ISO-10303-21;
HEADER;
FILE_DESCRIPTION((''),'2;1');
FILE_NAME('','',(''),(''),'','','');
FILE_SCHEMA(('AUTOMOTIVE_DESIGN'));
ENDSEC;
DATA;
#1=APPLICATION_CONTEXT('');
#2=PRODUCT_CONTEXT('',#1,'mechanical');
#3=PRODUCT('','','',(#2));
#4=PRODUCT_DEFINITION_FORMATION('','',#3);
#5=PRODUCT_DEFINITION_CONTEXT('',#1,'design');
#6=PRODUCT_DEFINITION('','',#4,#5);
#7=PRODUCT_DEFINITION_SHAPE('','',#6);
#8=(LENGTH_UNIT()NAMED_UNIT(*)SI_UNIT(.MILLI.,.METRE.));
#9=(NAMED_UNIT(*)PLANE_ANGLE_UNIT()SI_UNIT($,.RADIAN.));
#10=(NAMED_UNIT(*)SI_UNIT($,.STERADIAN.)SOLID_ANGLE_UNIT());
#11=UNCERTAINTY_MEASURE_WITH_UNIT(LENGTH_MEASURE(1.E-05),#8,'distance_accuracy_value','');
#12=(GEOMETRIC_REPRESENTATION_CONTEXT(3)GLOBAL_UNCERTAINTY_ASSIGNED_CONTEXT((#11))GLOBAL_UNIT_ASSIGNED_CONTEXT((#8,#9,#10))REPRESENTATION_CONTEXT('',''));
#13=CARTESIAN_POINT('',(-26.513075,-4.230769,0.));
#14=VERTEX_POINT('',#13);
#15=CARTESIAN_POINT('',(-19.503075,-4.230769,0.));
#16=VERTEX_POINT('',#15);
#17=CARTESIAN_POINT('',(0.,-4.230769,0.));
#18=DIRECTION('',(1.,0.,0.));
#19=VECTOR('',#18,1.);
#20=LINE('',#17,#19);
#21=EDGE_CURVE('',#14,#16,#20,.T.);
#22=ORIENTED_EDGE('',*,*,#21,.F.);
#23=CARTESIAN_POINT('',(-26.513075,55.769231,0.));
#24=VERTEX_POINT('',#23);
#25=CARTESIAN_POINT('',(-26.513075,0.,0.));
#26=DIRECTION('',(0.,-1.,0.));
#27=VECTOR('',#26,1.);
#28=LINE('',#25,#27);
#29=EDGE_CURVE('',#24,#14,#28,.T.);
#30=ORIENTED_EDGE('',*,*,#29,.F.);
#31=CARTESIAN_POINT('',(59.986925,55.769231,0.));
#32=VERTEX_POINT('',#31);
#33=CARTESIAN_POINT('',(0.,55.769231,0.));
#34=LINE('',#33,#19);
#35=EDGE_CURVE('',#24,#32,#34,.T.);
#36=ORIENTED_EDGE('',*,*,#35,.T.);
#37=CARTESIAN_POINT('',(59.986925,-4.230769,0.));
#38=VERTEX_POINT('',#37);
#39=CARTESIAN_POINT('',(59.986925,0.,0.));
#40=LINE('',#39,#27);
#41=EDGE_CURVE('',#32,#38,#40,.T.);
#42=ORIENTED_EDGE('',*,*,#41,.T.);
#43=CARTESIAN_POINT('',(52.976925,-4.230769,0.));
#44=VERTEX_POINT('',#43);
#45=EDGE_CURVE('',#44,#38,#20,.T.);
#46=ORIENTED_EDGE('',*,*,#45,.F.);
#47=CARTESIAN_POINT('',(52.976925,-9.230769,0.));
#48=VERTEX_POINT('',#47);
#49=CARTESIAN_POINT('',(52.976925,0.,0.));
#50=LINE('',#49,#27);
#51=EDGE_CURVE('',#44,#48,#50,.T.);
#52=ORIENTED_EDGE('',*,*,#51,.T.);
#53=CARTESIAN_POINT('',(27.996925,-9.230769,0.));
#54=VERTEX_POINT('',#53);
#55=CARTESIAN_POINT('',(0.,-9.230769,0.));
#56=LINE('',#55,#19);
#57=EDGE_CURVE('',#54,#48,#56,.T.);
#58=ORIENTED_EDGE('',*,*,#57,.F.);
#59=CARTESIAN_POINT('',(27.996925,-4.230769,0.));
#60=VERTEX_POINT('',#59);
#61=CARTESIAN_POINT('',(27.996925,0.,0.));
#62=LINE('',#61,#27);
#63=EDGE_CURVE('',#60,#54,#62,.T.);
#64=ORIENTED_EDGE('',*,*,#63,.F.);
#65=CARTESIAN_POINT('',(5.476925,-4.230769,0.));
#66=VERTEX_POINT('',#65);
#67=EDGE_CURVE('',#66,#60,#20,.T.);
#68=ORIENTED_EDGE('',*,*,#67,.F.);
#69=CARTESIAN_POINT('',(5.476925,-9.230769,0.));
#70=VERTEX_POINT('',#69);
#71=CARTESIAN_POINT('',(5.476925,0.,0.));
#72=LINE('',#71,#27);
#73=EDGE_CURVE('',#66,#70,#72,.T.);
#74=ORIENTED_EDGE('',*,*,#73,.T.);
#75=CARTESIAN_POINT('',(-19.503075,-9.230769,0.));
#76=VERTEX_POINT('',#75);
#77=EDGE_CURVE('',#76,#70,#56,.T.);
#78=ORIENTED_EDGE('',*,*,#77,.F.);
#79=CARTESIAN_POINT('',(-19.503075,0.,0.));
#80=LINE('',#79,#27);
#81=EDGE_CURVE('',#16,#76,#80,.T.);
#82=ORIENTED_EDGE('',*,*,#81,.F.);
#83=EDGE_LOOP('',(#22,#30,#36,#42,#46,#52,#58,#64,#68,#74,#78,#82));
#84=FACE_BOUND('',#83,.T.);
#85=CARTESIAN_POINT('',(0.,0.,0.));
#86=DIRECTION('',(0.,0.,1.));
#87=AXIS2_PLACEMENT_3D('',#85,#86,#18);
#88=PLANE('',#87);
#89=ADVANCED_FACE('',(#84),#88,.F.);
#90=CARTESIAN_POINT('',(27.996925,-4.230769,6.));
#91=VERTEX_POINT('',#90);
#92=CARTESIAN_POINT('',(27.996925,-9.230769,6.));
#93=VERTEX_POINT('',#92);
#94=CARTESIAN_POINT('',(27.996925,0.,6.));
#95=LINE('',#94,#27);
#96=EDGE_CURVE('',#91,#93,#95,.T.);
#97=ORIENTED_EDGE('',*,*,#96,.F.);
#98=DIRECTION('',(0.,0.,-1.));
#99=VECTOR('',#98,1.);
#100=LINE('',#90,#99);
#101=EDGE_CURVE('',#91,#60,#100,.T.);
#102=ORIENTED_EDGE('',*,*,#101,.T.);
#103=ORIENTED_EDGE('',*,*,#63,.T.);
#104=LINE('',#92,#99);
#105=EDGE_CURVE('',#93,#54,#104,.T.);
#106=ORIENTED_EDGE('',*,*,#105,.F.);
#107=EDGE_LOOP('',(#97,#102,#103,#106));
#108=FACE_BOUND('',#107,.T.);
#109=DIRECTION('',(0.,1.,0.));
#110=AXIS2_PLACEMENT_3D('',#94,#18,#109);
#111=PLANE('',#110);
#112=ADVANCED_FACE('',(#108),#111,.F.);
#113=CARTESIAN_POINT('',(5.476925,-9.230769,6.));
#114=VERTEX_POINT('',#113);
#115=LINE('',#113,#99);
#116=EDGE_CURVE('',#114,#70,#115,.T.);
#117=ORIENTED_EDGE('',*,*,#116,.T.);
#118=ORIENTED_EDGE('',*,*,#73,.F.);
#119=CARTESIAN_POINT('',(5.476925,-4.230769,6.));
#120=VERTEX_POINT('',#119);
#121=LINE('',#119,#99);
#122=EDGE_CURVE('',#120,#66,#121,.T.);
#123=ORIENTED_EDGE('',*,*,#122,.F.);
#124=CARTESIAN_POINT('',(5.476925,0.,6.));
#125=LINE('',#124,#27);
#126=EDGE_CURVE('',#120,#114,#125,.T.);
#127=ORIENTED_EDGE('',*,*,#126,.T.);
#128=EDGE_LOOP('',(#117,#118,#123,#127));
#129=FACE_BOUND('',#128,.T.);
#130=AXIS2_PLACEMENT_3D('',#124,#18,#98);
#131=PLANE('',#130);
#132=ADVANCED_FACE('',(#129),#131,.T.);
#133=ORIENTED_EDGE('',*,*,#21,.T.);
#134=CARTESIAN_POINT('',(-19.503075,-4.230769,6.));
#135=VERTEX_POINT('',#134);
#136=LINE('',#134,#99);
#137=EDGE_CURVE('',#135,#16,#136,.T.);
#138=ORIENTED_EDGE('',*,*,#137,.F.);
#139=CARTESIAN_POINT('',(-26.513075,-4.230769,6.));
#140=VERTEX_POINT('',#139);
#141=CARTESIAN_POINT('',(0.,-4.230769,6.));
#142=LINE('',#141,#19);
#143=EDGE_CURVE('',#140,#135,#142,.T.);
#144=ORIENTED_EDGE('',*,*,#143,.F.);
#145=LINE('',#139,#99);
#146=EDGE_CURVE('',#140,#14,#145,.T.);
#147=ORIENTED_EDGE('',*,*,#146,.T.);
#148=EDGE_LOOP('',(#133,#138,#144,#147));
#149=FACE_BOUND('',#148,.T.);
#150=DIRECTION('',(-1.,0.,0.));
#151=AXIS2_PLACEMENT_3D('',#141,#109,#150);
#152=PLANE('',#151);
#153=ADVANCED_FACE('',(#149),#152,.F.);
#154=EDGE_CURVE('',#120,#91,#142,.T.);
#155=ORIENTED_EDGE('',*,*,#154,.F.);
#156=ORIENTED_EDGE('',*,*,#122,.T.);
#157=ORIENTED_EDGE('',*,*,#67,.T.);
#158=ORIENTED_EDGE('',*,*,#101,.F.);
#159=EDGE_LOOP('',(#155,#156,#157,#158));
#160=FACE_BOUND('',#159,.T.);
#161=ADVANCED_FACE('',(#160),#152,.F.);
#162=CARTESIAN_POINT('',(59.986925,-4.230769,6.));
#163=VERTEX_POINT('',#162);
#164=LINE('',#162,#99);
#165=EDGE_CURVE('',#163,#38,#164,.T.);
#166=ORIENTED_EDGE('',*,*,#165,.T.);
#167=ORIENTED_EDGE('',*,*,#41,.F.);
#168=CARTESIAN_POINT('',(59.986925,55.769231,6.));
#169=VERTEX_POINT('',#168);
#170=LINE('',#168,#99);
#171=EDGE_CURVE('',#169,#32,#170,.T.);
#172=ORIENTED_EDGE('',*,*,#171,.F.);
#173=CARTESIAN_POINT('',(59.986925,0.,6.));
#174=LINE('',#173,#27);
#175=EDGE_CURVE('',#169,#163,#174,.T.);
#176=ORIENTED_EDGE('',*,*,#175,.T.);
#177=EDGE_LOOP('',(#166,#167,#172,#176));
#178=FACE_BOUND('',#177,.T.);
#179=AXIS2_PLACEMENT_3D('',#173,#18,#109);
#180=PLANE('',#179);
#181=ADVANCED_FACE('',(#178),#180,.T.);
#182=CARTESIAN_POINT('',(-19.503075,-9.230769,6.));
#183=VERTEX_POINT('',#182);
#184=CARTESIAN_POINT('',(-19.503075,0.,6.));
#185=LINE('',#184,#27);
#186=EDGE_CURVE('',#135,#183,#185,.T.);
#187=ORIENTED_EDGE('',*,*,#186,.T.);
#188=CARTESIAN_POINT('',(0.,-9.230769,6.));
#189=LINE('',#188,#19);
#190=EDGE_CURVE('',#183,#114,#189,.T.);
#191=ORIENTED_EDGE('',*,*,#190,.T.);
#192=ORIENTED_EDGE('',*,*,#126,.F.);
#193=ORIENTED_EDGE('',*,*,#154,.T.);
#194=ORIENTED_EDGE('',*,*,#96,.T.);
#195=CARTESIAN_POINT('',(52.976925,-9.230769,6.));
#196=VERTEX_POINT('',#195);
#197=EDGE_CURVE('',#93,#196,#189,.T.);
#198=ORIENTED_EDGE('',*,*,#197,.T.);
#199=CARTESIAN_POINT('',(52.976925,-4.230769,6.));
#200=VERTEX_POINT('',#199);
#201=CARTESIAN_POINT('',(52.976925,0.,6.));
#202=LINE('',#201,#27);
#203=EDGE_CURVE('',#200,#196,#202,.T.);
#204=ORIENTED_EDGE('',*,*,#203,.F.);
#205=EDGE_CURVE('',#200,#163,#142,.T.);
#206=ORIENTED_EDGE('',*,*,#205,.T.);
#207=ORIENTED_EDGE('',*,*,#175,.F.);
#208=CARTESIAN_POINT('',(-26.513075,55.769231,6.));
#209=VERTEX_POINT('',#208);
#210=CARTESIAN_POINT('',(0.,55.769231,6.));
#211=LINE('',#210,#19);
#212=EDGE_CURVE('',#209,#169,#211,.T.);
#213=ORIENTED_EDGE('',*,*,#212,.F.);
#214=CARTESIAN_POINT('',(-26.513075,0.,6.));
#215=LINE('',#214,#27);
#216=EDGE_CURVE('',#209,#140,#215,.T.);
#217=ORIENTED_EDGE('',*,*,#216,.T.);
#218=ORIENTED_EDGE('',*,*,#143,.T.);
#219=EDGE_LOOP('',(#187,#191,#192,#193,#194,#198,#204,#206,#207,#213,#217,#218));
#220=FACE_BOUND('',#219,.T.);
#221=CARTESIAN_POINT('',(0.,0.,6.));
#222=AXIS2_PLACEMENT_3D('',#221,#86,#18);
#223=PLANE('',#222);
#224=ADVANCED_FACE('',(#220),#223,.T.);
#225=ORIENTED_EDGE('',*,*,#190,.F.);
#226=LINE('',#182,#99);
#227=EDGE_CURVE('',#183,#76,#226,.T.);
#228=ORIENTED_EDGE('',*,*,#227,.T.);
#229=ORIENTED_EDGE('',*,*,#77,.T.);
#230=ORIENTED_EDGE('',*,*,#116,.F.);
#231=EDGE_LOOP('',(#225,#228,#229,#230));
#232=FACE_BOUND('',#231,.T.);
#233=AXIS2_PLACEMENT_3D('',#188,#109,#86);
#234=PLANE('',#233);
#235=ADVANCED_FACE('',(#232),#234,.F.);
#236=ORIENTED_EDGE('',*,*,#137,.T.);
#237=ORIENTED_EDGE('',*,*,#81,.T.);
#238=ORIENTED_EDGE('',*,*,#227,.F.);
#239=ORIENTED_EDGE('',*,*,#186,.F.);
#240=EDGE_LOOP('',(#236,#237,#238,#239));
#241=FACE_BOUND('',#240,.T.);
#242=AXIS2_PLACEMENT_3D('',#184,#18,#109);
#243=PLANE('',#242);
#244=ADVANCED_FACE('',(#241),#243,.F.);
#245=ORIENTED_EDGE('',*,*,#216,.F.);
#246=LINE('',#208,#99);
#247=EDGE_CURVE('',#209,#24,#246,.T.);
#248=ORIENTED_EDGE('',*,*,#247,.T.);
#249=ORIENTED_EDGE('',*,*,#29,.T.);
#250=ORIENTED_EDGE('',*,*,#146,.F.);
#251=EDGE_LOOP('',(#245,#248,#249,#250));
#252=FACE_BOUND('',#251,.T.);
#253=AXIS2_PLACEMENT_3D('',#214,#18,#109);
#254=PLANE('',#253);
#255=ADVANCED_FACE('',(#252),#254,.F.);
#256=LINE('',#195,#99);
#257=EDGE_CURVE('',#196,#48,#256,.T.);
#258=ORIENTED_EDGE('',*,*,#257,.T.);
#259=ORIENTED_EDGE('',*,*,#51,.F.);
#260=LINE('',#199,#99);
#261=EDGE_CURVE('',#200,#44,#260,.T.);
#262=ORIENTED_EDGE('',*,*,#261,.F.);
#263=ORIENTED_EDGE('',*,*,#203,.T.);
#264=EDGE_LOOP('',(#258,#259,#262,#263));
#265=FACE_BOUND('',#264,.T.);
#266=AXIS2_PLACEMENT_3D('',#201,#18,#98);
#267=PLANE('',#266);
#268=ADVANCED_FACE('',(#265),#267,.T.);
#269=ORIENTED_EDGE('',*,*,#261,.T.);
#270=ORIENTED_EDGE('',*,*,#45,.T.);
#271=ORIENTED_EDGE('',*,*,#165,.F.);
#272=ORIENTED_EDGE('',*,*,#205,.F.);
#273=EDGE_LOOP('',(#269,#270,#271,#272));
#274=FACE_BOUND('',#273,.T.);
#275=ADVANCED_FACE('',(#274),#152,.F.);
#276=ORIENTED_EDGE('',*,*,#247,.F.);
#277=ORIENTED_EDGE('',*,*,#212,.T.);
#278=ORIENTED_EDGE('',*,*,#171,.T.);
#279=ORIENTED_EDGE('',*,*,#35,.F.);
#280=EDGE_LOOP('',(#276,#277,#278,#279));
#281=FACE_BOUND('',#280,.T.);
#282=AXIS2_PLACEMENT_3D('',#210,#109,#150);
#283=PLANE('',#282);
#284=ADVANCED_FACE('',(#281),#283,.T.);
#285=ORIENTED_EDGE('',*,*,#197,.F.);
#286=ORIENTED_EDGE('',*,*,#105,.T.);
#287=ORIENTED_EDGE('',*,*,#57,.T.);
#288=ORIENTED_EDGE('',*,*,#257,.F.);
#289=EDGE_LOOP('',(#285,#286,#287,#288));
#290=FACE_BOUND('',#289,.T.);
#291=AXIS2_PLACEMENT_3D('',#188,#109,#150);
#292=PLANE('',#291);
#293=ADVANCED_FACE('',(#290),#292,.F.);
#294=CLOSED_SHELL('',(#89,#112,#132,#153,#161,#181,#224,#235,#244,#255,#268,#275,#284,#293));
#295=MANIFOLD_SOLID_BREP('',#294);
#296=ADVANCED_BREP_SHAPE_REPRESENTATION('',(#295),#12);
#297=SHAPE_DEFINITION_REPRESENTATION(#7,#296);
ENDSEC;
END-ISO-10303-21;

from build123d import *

# Parameters (mm, degrees)
ESQUISSE1_W        = 86.5
ESQUISSE1_H        = 60
ESQUISSE1_W_2      = 24.98
ESQUISSE1_H_2      = 5
BOSS_EXTRU_1_DEPTH = 6


with BuildPart() as part:
    # Esquisse1 → Boss.-Extru.1 (new body)
    with BuildSketch(Plane.XY):
        with Locations((16.736924874, 25.769230769)):
            Rectangle(ESQUISSE1_W, ESQUISSE1_H)
        with Locations((-7.013075126, -6.730769231)):
            Rectangle(ESQUISSE1_W_2, ESQUISSE1_H_2)
        with Locations((40.486924874, -6.730769231)):
            Rectangle(ESQUISSE1_W_2, ESQUISSE1_H_2)
    extrude(amount=BOSS_EXTRU_1_DEPTH)


solid = part.part
